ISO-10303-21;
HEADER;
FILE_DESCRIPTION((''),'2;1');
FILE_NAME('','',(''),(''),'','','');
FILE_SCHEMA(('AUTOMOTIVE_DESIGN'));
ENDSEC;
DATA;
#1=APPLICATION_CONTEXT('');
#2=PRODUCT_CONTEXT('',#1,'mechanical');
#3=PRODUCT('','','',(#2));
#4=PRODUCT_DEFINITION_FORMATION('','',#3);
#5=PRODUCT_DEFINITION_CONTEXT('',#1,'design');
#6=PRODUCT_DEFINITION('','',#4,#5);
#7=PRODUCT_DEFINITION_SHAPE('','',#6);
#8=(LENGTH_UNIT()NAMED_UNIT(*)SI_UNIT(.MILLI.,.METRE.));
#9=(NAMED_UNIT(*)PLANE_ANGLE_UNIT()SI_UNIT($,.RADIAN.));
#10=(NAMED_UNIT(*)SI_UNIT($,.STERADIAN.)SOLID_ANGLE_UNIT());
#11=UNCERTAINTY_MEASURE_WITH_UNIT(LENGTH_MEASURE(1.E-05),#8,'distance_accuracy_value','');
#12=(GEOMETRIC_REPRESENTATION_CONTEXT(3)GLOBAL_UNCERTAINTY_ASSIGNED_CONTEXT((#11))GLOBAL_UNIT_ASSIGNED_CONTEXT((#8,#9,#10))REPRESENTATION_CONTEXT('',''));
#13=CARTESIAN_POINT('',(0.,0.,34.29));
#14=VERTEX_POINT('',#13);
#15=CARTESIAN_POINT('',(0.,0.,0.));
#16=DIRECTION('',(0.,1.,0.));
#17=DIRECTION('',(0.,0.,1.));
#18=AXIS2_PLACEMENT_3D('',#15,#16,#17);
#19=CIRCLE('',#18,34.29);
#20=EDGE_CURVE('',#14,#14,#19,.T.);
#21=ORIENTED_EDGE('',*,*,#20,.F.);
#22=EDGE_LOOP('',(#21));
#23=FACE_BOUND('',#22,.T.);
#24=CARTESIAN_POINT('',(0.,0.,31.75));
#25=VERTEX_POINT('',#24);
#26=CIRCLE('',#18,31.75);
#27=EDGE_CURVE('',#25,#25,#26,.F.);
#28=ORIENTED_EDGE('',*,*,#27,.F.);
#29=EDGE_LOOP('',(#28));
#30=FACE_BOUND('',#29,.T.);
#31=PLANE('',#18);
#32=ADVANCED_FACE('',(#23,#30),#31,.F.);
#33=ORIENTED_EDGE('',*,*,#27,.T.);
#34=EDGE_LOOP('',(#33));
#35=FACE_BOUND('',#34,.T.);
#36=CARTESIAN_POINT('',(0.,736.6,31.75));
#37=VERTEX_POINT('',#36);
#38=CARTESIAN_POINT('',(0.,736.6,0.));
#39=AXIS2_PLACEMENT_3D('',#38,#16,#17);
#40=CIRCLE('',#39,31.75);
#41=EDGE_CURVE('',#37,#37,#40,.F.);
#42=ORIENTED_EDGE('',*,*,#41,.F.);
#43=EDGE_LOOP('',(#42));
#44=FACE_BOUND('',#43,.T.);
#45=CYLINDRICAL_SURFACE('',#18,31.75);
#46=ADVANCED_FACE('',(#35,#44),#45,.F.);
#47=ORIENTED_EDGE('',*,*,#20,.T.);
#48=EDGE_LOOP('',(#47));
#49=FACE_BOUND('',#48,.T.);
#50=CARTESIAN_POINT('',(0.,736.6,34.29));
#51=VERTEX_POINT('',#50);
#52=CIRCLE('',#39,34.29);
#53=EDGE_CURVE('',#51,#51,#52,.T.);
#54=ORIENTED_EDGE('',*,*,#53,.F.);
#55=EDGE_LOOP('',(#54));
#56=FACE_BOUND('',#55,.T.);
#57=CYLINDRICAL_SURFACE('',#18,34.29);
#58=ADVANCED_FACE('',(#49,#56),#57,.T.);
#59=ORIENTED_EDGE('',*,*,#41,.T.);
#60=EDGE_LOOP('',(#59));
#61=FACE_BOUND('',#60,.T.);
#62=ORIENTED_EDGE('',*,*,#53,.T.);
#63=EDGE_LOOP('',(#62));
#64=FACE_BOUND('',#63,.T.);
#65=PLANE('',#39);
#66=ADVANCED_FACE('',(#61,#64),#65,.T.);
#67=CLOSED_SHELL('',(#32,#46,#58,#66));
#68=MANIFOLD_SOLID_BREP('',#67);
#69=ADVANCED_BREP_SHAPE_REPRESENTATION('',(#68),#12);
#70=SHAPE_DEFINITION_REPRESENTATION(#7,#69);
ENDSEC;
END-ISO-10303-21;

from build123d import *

# Parameters (mm, degrees)
SKETCH1_R   = 34.29
SKETCH1_R_2 = 31.75


with BuildPart() as part:
    # Sweep1: sweep along a curve in space
    with BuildLine() as sweep1_path:
        Line((0, 0, 0), (0, 736.6, 0))
    # Sketch1 → Sweep1 (sweep)
    with BuildSketch(Plane(origin=(0, 0, 0), x_dir=(1, 0, 0), z_dir=(0, 1, 0))):
        Circle(SKETCH1_R)
        Circle(SKETCH1_R_2, mode=Mode.SUBTRACT)
    sweep(path=sweep1_path.line)


solid = part.part
